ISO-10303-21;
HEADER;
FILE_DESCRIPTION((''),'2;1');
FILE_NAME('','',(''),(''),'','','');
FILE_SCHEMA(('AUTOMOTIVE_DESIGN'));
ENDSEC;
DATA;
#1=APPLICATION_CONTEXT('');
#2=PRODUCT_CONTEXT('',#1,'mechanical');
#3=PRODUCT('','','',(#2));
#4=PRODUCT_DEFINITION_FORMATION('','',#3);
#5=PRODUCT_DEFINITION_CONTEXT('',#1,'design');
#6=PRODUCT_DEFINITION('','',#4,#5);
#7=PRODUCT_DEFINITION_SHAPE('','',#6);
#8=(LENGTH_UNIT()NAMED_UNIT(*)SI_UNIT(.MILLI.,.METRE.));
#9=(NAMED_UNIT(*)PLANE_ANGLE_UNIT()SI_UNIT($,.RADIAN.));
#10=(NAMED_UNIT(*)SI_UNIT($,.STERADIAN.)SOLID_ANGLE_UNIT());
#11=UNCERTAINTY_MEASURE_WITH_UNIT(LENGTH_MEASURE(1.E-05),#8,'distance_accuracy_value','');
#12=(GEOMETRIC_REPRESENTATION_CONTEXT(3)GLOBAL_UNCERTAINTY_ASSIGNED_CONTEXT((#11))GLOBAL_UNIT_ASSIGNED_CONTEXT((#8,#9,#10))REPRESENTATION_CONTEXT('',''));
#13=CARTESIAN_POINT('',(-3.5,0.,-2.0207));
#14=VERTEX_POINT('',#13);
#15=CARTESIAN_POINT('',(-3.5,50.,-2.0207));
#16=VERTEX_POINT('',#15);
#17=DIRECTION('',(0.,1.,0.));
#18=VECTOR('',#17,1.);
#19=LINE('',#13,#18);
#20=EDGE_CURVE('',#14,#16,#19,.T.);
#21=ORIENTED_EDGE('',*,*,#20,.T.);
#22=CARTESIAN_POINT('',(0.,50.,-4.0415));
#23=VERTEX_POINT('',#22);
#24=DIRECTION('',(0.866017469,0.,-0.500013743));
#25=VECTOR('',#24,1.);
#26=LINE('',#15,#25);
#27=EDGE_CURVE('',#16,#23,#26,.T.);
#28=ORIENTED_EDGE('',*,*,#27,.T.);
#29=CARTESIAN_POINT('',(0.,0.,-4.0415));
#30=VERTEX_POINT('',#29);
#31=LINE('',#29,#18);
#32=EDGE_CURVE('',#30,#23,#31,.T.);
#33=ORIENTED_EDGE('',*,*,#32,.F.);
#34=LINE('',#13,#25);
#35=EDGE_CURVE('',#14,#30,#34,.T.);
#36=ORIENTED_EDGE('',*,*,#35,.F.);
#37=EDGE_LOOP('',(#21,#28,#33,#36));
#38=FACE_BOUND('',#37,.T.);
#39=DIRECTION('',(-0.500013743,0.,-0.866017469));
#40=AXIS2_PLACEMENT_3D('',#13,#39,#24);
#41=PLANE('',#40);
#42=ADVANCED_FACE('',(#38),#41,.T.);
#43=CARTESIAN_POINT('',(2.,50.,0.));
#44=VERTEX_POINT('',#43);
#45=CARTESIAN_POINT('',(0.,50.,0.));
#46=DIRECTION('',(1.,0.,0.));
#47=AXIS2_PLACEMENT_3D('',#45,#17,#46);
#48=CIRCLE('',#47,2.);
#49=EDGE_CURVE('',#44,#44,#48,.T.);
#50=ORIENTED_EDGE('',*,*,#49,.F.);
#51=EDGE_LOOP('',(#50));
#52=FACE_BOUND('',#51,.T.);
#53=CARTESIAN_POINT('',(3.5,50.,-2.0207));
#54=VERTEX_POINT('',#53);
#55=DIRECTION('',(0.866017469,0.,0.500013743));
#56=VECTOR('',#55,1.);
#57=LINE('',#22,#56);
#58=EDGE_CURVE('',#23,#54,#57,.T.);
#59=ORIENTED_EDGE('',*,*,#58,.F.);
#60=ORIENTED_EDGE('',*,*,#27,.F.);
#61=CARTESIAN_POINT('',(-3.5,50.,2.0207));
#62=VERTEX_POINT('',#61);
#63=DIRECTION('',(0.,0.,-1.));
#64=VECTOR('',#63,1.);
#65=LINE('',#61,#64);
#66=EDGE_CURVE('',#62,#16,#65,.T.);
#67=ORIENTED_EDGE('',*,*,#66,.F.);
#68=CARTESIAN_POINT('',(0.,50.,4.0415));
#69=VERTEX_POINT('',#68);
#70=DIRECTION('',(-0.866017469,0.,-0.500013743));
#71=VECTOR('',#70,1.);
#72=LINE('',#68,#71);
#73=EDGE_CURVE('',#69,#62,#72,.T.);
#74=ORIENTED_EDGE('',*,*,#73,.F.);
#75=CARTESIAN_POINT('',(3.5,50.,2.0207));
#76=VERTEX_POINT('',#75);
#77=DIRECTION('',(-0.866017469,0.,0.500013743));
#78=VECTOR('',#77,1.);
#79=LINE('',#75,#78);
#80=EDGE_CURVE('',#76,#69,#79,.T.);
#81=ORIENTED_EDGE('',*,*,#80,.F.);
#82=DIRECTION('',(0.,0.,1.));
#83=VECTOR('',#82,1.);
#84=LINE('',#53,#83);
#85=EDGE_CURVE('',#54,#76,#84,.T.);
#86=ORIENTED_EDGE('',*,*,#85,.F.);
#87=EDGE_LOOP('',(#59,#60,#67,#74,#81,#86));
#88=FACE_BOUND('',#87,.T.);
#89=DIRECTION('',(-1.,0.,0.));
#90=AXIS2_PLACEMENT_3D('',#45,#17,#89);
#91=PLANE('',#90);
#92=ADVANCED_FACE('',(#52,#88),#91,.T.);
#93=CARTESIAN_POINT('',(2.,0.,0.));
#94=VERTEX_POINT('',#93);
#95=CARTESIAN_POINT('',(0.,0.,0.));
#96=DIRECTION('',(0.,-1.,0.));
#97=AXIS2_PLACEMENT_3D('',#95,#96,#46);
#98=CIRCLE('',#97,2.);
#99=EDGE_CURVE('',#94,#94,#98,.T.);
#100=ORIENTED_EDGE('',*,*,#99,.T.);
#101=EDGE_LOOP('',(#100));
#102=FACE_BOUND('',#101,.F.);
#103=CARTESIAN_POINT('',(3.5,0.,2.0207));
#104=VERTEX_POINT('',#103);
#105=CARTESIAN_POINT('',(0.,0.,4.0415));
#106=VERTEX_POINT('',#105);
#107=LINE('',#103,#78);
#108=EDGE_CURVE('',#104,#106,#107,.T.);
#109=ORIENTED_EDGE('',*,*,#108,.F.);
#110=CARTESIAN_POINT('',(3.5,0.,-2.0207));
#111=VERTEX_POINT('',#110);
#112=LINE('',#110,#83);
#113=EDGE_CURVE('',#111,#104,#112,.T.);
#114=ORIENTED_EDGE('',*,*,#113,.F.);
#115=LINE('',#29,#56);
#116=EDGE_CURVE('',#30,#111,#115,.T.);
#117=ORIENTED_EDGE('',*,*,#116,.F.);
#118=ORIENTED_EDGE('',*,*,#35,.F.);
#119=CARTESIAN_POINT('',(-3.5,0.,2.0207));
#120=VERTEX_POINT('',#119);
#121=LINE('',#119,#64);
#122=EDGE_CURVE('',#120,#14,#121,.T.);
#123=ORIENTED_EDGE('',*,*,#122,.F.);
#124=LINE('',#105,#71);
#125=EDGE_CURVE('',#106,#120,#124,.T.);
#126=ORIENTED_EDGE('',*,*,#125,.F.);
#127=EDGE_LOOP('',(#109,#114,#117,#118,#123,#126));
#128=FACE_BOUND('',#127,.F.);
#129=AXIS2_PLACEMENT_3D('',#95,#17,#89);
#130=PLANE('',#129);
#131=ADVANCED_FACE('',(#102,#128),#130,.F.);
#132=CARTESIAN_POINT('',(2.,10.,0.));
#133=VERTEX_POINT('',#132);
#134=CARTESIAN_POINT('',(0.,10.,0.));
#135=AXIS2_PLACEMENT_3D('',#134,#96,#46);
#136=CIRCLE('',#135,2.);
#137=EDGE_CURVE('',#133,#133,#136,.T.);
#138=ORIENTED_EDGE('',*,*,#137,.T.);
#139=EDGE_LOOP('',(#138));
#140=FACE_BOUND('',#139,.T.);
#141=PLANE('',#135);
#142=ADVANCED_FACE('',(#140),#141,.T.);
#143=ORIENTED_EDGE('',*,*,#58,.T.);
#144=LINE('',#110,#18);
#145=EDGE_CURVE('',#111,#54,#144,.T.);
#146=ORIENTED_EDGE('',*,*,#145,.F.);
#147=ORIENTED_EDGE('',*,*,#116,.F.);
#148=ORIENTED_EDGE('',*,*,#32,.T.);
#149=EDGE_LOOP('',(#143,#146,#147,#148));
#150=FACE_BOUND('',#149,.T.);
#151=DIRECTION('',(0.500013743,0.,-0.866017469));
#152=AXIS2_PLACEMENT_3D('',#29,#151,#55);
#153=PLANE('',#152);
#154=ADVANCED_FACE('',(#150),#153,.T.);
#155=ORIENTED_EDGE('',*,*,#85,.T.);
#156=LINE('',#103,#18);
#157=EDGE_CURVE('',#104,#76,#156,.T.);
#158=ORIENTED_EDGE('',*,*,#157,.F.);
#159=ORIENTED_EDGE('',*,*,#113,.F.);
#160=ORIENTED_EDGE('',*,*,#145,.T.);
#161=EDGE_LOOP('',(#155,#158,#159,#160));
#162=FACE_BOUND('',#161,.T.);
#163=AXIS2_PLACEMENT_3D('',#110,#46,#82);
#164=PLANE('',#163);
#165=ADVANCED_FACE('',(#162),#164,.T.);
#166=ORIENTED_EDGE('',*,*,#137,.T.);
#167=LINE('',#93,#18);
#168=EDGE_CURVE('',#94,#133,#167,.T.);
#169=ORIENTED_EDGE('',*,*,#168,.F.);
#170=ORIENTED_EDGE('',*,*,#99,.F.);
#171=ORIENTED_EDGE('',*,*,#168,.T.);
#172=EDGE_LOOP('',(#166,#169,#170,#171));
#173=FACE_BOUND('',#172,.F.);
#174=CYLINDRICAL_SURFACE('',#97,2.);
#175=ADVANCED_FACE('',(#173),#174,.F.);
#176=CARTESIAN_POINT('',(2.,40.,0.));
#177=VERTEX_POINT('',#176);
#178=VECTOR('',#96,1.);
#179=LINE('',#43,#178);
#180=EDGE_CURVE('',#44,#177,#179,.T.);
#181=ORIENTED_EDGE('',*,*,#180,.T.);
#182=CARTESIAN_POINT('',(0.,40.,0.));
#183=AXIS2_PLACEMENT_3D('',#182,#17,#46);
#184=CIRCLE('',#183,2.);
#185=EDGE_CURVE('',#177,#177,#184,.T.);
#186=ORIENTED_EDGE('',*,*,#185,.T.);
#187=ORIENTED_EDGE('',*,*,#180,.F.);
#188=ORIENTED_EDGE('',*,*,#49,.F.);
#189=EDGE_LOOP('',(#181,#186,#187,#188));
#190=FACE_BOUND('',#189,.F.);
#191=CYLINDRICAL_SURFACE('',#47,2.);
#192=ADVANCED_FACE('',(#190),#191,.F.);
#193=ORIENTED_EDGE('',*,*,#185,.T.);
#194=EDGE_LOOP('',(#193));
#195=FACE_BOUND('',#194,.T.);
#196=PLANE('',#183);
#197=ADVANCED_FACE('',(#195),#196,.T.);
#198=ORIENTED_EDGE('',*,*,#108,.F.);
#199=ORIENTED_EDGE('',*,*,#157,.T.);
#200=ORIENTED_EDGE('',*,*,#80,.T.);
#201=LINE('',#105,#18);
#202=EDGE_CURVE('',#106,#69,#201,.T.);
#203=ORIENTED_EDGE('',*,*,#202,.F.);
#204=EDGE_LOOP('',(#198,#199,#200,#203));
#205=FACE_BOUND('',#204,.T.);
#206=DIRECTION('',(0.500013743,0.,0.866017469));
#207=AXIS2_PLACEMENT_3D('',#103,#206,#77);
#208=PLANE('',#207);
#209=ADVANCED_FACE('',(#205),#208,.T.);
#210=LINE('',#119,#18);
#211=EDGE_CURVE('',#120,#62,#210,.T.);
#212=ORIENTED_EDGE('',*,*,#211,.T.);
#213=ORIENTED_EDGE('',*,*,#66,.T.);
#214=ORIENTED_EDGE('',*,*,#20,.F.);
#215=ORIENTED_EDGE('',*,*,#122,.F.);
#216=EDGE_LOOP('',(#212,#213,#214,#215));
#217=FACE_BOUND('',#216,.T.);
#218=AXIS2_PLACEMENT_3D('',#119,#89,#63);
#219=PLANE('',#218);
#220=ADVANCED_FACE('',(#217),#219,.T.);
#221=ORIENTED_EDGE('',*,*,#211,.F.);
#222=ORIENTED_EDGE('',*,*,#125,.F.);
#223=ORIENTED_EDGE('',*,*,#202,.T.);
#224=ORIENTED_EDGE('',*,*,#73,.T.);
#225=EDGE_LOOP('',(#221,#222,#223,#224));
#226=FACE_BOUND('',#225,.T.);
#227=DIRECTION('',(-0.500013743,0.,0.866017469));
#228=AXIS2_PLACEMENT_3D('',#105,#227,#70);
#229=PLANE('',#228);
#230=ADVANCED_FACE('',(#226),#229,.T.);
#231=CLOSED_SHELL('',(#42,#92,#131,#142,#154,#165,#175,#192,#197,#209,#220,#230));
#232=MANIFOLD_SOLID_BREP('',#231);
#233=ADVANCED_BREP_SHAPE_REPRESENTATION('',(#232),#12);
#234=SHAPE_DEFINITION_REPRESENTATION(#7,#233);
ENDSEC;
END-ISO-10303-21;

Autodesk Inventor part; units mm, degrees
ref_plane "YZ Plane" through (0, 0, 0) normal (1, 0, 0) x (0, 1, 0)
ref_plane "XZ Plane" through (0, 0, 0) normal (0, 1, 0) x (-1, 0, 0)
ref_plane "XY Plane" through (0, 0, 0) normal (0, 0, 1) x (1, 0, 0)
sketch "Esquisse1" plane through (0, 0, 0) normal (0, 1, 0) x (-1, 0, 0)
  line L0 (0, -4.0415) -> (-3.5, -2.0207)
  line L1 (-3.5, -2.0207) -> (-3.5, 2.0207)
  line L2 (-3.5, 2.0207) -> (0, 4.0415)
  line L3 (0, 4.0415) -> (3.5, 2.0207)
  line L4 (3.5, 2.0207) -> (3.5, -2.0207)
  line L5 (3.5, -2.0207) -> (0, -4.0415)
  point P0 (0, 0)
  point P1 (0, 0)
  dimension "d0" = 7
extrude "Extrusion1" add sketch "Esquisse1" along normal blind 50
sketch "Esquisse2" plane through (0, 0, 0) normal (0, -1, 0) x (1, 0, 0)
  circle A0 centre (0, 0) radius 2
  dimension "d3" = 4
extrude "Extrusion2" cut sketch "Esquisse2" against normal blind 10
sketch "Esquisse3" plane through (0, 50, 0) normal (0, 1, 0) x (1, 0, 0)
  circle A0 centre (0, 0) radius 2
  dimension "d6" = 4
extrude "Extrusion3" cut sketch "Esquisse3" against normal blind 10
thread "Filetage1" size "M4x0.7" class "6H" standard "ANSI Metric M Profile" full length
thread "Filetage2" size "M4x0.7" class "6H" standard "ANSI Metric M Profile" full length
properties part number "Entretoise-50mm" material "Acier"
